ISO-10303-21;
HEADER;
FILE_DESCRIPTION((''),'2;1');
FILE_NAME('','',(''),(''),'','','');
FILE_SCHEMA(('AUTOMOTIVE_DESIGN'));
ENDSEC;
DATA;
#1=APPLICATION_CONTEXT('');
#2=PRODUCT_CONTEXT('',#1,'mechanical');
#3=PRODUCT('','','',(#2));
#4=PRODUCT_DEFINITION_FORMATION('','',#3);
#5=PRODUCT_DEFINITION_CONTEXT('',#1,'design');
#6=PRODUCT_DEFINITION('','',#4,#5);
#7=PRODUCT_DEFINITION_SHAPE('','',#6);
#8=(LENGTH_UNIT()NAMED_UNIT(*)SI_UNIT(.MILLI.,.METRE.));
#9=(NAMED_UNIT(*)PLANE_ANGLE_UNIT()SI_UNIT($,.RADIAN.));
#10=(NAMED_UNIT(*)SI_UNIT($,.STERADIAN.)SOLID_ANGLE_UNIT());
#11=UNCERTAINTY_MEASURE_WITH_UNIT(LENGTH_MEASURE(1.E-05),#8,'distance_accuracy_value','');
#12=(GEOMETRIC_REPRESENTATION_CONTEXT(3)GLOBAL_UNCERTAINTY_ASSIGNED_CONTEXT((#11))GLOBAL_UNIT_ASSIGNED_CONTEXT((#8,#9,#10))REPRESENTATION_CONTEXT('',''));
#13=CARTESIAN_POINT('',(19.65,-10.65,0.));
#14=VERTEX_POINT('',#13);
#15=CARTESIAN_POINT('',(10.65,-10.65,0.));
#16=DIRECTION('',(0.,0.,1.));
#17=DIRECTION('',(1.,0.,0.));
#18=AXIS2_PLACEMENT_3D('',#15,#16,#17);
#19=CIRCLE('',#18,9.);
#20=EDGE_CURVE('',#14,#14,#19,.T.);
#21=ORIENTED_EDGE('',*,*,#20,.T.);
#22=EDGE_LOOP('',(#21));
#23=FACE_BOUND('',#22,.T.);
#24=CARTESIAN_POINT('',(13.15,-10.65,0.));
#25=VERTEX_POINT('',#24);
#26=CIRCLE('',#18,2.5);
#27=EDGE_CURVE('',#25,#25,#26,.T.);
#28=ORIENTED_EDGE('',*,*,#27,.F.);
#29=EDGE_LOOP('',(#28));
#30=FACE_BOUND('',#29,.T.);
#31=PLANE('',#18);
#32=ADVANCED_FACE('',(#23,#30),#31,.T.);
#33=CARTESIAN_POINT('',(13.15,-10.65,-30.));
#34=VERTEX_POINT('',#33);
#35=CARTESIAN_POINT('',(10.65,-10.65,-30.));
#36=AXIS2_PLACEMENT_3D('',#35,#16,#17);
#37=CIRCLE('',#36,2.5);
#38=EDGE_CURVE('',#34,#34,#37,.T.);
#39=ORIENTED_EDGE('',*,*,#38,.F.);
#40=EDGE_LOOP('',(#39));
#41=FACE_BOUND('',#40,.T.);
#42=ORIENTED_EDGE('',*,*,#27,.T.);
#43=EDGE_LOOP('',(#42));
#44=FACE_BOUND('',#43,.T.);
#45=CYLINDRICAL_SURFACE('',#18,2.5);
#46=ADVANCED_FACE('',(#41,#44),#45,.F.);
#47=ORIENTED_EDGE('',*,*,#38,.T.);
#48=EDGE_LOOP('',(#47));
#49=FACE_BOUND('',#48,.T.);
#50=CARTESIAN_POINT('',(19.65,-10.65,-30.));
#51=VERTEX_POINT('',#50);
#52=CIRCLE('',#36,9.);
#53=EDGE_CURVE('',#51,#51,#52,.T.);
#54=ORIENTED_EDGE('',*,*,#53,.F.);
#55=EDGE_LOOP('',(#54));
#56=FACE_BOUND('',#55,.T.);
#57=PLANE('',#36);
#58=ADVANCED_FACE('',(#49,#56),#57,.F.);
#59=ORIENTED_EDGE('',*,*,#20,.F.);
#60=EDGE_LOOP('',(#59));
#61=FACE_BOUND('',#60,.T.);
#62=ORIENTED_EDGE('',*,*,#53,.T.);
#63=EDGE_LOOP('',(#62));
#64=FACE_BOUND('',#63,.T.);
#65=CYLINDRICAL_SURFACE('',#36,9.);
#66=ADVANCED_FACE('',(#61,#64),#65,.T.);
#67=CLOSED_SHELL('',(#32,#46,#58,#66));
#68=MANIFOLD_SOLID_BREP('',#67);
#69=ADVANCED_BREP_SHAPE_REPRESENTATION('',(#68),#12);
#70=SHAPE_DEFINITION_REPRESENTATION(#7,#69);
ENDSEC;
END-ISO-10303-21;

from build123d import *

# Parameters (mm, degrees)
SKETCH_1_R            = 9
EXTRUDE_1_DEPTH       = 30
HOLE_WIZARD_M61_D     = 5
HOLE_WIZARD_M61_DEPTH = 40
HOLE_WIZARD_M61_TIP   = 1.502151548


with BuildPart() as part:
    # Эскиз1 → Бобышка-Вытянуть1 (new body)
    with BuildSketch(Plane.XY):
        with Locations((10.65, -10.65)):
            Circle(SKETCH_1_R)
    extrude(amount=-EXTRUDE_1_DEPTH)

    # Отверстие обработанное метчиком M61
    with Locations(Plane.XY):
        with Locations((10.65, -10.65)):
            Hole(HOLE_WIZARD_M61_D / 2, depth=HOLE_WIZARD_M61_DEPTH)
            with Locations((0, 0, -(HOLE_WIZARD_M61_DEPTH + HOLE_WIZARD_M61_TIP / 2))):  # 118° drill point
                Cone(0, HOLE_WIZARD_M61_D / 2, HOLE_WIZARD_M61_TIP, mode=Mode.SUBTRACT)


solid = part.part
